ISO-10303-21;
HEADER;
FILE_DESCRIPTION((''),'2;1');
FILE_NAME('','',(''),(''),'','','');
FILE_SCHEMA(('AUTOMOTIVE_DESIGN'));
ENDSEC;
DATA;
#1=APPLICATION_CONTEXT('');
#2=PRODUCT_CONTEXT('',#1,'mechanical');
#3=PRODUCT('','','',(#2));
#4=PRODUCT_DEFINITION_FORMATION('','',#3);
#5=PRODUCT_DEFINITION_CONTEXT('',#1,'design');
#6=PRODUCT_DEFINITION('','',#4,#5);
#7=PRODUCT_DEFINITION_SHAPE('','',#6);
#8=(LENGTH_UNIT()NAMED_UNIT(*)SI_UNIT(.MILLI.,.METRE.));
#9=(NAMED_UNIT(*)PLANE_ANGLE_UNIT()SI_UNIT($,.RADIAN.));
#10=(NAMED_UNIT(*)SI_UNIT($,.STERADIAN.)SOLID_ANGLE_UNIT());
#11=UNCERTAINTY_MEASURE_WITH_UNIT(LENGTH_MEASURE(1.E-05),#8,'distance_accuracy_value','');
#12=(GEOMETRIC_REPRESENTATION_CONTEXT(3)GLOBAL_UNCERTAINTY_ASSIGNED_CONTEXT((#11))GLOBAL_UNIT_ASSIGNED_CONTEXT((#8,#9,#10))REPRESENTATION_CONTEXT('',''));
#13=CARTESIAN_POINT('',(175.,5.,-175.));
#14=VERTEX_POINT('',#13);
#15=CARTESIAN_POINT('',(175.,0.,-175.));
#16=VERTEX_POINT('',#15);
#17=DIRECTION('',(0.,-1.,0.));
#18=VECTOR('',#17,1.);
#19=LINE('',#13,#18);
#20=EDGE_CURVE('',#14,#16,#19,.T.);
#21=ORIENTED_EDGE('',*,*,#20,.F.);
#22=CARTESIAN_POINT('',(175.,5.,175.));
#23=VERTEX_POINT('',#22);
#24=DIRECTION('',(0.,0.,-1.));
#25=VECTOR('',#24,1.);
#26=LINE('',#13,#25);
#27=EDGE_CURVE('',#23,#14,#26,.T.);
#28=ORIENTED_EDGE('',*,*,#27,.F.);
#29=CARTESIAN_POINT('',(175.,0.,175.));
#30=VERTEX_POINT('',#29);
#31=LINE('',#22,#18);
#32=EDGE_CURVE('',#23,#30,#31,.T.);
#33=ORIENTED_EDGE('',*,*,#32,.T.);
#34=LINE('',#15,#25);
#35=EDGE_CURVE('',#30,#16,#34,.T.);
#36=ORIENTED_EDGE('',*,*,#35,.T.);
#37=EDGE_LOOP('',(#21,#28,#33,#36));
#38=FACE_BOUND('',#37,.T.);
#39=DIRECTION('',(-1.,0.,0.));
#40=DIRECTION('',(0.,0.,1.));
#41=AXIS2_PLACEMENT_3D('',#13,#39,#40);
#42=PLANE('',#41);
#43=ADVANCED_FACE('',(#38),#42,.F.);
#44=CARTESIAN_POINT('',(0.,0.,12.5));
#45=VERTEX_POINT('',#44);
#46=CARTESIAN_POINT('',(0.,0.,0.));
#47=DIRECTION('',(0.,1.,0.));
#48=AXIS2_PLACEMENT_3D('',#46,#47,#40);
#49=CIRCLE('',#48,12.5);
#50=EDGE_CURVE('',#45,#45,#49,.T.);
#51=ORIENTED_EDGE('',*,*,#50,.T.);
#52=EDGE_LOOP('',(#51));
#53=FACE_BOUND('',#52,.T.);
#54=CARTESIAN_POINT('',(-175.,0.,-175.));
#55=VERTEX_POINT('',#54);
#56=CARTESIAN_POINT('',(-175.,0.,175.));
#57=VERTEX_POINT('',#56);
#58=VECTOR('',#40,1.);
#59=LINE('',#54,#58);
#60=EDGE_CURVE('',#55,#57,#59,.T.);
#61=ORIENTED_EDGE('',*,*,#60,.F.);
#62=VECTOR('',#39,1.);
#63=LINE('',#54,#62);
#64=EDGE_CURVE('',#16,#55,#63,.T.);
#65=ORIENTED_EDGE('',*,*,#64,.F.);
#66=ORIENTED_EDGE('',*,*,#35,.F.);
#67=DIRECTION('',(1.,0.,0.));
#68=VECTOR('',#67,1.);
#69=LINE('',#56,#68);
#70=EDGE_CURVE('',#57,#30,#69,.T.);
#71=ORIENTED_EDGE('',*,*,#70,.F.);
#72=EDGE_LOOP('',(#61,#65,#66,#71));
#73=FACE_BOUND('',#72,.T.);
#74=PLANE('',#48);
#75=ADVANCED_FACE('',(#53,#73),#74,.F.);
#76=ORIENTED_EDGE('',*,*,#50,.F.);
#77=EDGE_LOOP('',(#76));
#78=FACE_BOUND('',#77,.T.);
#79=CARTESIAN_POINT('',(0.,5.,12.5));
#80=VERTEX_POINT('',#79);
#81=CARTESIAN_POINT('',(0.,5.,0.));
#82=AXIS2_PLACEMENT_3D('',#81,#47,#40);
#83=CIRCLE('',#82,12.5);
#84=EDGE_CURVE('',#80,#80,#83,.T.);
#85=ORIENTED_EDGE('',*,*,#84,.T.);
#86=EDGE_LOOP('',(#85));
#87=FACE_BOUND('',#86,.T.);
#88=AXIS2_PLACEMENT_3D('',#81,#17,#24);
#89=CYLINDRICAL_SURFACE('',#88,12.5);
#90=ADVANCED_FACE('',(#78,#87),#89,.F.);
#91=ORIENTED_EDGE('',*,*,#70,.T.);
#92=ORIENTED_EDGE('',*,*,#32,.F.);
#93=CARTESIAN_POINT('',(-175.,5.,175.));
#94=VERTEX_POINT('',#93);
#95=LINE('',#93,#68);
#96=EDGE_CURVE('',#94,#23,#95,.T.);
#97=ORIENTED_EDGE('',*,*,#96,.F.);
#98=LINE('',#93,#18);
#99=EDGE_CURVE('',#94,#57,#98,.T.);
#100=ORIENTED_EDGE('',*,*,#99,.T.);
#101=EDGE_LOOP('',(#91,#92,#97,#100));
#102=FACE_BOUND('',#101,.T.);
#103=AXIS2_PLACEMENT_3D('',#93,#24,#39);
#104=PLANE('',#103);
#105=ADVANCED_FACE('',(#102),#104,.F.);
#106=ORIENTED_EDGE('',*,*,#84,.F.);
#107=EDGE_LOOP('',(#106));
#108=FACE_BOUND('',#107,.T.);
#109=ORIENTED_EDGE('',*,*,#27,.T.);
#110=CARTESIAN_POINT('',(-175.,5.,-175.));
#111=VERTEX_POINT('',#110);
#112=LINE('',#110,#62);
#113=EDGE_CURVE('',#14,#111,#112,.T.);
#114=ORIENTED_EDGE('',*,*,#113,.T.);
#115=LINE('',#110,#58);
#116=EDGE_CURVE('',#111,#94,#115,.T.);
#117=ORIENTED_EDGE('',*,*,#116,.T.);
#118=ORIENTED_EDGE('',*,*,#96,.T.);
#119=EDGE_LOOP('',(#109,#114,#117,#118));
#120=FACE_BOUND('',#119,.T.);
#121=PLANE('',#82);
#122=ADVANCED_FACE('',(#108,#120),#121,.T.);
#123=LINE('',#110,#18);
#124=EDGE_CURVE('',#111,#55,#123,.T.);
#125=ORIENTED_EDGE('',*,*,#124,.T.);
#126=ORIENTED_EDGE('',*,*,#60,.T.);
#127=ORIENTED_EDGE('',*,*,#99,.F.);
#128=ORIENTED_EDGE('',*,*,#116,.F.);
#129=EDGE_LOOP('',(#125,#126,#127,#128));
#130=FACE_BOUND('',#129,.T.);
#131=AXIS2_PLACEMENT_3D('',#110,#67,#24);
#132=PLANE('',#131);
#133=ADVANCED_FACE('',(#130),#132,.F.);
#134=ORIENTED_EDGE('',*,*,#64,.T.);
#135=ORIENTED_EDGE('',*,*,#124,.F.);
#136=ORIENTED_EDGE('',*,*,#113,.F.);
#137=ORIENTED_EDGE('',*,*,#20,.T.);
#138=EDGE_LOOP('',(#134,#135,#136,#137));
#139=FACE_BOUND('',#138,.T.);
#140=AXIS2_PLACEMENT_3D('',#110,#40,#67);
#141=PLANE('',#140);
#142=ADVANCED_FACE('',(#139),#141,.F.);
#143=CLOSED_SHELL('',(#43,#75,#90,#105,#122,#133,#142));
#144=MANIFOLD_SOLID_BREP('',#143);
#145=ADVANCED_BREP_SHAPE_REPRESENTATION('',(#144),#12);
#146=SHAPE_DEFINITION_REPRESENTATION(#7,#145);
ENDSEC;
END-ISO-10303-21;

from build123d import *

# Parameters (mm, degrees)
SKETCH6_W           = 350
SKETCH6_H           = 350
SKETCH6_R           = 12.5
BOSS_EXTRUDE1_DEPTH = 5


with BuildPart() as part:
    # Sketch6 → Boss-Extrude1 (new body)
    with BuildSketch(Plane(origin=(0, 0, 0), x_dir=(1, 0, 0), z_dir=(0, 1, 0))):
        Rectangle(SKETCH6_W, SKETCH6_H)
        with Locations(Location((0, 0, 0), (0, 0, 270))):
            Circle(SKETCH6_R, mode=Mode.SUBTRACT)
    extrude(amount=BOSS_EXTRUDE1_DEPTH)


solid = part.part
